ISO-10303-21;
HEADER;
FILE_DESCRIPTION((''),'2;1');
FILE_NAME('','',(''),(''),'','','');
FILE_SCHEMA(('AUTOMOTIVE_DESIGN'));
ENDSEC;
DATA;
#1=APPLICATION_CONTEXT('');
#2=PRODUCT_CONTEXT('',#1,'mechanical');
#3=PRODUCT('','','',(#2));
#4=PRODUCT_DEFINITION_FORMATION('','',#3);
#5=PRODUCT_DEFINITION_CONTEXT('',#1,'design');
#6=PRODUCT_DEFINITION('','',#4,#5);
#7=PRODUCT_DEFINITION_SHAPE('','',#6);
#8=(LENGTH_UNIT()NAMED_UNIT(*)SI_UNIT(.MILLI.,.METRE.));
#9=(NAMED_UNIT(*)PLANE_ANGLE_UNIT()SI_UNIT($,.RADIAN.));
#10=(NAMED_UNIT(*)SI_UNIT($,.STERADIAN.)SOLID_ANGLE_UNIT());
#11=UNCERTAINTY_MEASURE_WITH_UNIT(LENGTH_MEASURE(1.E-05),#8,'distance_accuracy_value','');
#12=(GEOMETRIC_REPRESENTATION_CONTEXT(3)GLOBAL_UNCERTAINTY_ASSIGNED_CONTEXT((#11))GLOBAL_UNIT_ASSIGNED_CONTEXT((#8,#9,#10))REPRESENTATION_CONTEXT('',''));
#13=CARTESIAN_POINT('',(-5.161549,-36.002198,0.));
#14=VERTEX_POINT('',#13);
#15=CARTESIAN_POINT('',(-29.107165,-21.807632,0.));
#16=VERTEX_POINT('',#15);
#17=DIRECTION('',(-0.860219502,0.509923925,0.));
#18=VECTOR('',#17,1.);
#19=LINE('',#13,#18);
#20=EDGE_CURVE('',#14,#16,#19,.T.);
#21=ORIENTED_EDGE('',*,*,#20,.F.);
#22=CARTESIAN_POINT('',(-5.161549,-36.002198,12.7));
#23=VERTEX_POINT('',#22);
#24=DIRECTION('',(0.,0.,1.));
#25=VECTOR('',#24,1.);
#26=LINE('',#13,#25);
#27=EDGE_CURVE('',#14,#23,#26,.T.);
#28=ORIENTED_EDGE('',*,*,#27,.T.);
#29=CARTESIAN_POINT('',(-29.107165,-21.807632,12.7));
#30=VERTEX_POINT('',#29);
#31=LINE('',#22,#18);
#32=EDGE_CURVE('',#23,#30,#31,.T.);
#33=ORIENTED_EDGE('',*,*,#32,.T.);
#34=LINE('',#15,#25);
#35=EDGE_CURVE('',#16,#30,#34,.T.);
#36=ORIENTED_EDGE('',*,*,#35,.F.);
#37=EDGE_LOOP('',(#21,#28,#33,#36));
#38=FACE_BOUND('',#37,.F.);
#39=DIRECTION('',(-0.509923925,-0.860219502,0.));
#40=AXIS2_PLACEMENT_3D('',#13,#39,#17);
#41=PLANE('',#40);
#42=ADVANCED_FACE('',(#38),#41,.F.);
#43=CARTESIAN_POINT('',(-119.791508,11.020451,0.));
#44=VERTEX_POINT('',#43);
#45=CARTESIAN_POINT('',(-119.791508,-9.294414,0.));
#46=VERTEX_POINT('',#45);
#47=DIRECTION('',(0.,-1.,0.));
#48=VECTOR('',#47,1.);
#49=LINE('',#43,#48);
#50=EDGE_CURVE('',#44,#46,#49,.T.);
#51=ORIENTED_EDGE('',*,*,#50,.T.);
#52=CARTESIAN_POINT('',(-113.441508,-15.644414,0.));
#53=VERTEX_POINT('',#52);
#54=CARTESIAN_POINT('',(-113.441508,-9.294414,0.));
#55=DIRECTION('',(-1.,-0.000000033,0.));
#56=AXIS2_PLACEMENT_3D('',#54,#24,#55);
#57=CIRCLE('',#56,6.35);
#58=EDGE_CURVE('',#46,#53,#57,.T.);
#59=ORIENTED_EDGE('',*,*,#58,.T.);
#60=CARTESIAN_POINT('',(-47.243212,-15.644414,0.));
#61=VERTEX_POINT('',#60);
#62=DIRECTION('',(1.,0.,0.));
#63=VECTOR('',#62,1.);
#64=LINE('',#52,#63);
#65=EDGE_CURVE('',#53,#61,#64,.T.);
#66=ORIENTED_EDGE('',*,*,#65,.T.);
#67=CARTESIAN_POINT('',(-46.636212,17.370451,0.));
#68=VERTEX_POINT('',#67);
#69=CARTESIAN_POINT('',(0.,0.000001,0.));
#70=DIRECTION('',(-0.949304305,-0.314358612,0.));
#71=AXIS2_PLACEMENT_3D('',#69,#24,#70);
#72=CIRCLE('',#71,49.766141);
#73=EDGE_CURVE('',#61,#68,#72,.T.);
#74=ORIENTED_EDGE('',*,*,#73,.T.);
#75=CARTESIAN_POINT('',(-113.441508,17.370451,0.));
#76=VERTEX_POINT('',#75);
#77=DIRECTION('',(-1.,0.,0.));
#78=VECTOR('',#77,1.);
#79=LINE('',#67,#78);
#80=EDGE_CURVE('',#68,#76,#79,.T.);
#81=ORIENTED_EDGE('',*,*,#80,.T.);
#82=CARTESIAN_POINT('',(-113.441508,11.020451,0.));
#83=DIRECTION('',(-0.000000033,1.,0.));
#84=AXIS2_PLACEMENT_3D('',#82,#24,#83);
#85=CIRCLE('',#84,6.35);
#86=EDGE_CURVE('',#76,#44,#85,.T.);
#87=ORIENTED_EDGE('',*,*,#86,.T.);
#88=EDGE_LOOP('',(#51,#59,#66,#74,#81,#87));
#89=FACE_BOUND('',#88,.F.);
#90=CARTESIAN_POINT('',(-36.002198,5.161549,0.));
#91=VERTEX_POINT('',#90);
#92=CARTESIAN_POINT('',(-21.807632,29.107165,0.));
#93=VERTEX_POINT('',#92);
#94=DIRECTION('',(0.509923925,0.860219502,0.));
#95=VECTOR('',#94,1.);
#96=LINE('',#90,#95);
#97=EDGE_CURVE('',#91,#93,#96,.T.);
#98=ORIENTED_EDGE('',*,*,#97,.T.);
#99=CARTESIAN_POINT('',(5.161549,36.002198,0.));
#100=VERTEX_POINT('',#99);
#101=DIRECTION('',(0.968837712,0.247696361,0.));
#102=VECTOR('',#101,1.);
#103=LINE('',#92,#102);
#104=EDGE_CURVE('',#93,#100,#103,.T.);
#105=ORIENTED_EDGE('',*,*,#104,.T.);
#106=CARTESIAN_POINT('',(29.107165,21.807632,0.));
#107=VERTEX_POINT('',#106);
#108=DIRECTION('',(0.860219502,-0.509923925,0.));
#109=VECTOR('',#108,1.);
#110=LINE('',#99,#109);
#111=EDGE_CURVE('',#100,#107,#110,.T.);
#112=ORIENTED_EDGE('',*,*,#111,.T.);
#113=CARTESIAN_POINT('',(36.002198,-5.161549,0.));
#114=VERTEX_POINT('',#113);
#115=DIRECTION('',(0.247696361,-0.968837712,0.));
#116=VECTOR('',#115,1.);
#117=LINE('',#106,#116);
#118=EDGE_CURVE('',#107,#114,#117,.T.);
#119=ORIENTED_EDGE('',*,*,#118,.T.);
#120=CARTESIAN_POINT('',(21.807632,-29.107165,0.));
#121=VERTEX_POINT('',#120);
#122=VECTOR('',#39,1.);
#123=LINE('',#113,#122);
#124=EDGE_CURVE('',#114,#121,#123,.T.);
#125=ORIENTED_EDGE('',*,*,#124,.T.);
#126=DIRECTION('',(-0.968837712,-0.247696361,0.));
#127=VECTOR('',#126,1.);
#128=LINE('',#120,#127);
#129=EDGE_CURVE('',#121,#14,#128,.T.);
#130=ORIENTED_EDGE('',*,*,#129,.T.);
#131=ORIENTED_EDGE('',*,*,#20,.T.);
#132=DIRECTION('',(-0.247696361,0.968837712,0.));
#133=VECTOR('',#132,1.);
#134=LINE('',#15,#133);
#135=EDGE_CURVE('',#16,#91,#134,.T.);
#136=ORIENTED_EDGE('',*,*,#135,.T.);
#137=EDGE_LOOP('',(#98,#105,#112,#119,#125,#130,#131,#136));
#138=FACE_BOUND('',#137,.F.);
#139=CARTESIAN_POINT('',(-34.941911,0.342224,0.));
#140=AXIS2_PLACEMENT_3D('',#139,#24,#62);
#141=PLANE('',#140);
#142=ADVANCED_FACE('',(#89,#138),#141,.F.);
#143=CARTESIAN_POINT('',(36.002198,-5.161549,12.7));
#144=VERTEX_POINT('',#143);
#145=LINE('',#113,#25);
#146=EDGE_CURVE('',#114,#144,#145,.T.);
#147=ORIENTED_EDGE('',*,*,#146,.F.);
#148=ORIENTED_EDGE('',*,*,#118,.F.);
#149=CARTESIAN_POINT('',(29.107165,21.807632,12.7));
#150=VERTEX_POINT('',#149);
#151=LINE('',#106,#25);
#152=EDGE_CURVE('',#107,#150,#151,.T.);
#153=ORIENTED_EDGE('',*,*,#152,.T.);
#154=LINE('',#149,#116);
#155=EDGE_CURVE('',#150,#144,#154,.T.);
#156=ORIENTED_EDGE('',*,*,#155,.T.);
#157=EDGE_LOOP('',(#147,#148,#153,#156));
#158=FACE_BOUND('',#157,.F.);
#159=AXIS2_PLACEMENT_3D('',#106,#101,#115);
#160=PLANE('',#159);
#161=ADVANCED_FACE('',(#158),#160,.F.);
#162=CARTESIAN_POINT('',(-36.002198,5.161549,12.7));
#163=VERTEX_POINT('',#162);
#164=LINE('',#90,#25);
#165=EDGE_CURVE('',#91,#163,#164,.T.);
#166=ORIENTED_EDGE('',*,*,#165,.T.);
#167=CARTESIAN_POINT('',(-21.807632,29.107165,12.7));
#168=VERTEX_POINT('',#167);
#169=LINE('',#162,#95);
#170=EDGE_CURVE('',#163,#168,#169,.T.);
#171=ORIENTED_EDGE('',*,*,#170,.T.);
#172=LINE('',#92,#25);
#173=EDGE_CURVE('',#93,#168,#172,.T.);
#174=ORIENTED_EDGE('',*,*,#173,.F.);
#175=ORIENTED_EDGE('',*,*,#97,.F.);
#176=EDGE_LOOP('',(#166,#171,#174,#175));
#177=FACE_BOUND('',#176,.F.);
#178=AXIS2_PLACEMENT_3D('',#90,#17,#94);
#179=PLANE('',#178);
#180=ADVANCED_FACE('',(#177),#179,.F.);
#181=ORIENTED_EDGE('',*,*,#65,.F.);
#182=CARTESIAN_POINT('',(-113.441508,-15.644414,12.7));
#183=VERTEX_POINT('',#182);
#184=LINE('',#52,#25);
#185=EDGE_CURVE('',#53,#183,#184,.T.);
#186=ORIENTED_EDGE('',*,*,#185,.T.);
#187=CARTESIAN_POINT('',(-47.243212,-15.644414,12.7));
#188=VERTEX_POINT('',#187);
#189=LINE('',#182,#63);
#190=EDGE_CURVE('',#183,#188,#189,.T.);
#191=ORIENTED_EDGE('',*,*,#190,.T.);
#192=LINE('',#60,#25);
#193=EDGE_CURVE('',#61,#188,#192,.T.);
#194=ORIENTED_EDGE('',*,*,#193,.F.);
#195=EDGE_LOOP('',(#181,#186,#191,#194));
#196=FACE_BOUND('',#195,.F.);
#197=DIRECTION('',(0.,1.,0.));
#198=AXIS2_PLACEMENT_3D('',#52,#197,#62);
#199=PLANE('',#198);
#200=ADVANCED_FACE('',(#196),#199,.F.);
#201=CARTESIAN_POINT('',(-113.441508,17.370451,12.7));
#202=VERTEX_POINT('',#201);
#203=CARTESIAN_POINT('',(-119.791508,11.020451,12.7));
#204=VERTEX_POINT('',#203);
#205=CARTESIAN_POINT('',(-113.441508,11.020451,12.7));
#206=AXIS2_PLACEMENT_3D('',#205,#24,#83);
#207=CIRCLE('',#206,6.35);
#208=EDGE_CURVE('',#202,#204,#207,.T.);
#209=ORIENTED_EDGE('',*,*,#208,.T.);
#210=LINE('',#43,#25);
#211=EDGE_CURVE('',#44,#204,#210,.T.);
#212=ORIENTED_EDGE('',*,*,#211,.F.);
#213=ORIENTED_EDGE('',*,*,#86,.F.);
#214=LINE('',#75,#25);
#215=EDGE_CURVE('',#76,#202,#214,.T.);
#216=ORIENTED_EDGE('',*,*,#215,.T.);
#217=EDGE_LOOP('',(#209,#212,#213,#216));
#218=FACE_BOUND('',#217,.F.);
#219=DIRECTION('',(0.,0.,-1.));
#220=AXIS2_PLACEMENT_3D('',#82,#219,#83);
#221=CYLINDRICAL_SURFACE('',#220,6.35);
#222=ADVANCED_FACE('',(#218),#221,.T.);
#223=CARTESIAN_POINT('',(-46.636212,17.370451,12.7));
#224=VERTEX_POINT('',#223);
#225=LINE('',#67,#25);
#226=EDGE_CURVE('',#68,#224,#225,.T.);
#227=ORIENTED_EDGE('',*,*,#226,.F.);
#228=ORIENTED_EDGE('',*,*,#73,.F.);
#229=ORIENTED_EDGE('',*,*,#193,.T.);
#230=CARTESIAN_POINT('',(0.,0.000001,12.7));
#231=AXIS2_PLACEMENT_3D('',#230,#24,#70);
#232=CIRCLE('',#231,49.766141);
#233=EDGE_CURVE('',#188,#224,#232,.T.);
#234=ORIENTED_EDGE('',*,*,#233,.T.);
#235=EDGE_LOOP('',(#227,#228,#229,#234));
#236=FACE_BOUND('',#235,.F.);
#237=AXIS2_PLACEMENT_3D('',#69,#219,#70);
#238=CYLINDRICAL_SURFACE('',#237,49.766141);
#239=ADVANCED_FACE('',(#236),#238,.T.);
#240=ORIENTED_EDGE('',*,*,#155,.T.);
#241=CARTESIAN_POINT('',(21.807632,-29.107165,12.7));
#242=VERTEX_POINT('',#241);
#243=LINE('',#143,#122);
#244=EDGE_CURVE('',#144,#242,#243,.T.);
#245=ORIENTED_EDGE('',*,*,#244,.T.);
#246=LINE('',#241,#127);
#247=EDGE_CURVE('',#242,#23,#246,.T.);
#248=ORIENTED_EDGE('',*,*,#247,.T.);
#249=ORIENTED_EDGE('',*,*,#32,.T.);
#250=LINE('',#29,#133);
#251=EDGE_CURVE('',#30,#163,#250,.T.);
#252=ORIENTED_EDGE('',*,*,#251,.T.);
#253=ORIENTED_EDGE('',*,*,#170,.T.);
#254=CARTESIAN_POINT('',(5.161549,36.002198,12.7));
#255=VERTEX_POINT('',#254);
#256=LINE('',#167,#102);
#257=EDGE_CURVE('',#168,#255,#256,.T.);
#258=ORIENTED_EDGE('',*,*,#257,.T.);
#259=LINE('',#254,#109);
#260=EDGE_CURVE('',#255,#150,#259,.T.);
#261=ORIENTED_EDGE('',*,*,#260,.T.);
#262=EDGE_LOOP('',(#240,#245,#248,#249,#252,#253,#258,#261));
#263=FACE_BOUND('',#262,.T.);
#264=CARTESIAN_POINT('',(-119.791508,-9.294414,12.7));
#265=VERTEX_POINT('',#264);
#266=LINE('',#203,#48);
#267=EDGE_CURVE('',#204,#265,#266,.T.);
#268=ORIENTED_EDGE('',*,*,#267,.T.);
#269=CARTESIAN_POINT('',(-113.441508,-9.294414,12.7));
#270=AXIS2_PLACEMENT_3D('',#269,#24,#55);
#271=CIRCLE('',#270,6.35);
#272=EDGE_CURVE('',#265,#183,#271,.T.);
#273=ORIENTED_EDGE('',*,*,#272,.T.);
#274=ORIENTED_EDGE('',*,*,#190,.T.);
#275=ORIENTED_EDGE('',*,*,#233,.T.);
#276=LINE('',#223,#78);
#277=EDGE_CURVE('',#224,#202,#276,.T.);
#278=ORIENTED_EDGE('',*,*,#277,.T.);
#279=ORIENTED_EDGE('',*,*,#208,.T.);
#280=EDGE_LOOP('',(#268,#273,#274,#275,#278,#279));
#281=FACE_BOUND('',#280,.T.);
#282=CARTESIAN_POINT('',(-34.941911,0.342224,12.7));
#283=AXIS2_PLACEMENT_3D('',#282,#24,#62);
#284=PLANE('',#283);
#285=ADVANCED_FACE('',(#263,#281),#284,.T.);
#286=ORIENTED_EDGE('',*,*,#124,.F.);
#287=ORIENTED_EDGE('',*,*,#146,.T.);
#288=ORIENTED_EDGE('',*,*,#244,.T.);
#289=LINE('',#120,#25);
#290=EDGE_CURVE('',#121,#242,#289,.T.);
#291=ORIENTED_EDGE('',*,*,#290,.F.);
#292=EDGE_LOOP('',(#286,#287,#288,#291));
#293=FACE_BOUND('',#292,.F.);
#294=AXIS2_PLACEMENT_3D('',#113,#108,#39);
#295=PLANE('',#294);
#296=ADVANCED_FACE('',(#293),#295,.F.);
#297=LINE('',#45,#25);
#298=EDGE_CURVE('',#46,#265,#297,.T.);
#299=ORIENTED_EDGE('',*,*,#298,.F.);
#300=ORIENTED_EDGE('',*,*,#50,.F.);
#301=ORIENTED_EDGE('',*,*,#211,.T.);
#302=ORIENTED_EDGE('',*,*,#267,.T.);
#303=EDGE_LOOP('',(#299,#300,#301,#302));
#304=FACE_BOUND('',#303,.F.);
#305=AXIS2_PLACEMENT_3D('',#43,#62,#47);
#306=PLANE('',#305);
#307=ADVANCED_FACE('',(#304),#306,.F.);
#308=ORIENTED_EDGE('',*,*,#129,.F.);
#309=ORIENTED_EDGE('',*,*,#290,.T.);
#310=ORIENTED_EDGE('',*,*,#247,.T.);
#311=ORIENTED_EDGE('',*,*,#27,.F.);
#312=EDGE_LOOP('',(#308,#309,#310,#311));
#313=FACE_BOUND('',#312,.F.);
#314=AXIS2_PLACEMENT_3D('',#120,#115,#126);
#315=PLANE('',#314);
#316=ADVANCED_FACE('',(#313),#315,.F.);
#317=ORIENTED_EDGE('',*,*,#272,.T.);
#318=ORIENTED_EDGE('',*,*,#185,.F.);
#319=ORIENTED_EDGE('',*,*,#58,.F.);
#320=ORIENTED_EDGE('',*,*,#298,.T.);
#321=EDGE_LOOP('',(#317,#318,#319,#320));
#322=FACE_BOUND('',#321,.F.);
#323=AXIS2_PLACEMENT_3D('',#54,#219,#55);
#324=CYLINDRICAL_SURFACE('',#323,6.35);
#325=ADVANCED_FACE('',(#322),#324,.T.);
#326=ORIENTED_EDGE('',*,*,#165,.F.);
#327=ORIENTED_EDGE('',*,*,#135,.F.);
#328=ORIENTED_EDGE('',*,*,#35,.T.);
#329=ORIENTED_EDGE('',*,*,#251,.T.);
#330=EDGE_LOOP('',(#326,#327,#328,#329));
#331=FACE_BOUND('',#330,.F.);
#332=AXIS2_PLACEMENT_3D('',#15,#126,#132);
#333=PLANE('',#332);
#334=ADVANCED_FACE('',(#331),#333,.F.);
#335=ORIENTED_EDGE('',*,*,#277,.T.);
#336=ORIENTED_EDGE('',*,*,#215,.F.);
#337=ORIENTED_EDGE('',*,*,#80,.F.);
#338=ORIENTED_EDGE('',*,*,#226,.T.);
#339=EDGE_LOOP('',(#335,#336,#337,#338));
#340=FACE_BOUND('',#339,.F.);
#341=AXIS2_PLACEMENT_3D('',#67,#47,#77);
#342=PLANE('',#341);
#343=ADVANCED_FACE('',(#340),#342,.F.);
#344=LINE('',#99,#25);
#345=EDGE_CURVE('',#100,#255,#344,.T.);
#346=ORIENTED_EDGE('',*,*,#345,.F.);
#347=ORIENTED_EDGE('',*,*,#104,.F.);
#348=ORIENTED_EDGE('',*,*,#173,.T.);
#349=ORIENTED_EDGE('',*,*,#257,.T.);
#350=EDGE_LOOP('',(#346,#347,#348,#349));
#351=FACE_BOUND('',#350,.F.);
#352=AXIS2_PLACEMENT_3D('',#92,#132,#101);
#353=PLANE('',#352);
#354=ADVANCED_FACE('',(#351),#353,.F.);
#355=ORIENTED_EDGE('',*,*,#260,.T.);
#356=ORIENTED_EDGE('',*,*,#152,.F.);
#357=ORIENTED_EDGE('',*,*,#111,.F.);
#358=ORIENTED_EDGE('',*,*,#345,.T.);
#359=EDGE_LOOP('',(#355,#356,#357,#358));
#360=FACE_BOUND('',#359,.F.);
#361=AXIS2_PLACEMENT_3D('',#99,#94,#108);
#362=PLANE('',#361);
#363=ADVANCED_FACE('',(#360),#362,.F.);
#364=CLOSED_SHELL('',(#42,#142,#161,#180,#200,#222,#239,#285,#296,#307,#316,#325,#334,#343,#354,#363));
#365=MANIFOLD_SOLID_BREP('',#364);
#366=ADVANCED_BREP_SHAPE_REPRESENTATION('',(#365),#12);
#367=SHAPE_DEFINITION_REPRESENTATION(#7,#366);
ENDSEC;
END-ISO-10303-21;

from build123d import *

# Parameters (mm, degrees)
F1_DEPTH = 12.7


with BuildPart() as f1:
    # F0 (on Top) → F1 (new body)
    with BuildSketch(Plane.XY):
        with BuildLine():
            Line((-113.441508, -15.644414), (-47.243212, -15.644414))
            ThreePointArc((-47.243212, -15.644414), (49.757732, -0.914829), (-46.636212, 17.370451))
            Line((-46.636212, 17.370451), (-113.441508, 17.370451))
            ThreePointArc((-113.441508, 17.370451), (-117.931636, 15.510579), (-119.791508, 11.020451))
            Line((-119.791508, 11.020451), (-119.791508, -9.294414))
            ThreePointArc((-119.791508, -9.294414), (-117.931636, -13.784542), (-113.441508, -15.644414))
        make_face()
        Polygon((29.107165, 21.807632), (36.002198, -5.161549), (21.807632, -29.107165), (-5.161549, -36.002198), (-29.107165, -21.807632), (-36.002198, 5.161549), (-21.807632, 29.107165), (5.161549, 36.002198), align=None, mode=Mode.SUBTRACT)
    extrude(amount=F1_DEPTH)


solid = f1.part
